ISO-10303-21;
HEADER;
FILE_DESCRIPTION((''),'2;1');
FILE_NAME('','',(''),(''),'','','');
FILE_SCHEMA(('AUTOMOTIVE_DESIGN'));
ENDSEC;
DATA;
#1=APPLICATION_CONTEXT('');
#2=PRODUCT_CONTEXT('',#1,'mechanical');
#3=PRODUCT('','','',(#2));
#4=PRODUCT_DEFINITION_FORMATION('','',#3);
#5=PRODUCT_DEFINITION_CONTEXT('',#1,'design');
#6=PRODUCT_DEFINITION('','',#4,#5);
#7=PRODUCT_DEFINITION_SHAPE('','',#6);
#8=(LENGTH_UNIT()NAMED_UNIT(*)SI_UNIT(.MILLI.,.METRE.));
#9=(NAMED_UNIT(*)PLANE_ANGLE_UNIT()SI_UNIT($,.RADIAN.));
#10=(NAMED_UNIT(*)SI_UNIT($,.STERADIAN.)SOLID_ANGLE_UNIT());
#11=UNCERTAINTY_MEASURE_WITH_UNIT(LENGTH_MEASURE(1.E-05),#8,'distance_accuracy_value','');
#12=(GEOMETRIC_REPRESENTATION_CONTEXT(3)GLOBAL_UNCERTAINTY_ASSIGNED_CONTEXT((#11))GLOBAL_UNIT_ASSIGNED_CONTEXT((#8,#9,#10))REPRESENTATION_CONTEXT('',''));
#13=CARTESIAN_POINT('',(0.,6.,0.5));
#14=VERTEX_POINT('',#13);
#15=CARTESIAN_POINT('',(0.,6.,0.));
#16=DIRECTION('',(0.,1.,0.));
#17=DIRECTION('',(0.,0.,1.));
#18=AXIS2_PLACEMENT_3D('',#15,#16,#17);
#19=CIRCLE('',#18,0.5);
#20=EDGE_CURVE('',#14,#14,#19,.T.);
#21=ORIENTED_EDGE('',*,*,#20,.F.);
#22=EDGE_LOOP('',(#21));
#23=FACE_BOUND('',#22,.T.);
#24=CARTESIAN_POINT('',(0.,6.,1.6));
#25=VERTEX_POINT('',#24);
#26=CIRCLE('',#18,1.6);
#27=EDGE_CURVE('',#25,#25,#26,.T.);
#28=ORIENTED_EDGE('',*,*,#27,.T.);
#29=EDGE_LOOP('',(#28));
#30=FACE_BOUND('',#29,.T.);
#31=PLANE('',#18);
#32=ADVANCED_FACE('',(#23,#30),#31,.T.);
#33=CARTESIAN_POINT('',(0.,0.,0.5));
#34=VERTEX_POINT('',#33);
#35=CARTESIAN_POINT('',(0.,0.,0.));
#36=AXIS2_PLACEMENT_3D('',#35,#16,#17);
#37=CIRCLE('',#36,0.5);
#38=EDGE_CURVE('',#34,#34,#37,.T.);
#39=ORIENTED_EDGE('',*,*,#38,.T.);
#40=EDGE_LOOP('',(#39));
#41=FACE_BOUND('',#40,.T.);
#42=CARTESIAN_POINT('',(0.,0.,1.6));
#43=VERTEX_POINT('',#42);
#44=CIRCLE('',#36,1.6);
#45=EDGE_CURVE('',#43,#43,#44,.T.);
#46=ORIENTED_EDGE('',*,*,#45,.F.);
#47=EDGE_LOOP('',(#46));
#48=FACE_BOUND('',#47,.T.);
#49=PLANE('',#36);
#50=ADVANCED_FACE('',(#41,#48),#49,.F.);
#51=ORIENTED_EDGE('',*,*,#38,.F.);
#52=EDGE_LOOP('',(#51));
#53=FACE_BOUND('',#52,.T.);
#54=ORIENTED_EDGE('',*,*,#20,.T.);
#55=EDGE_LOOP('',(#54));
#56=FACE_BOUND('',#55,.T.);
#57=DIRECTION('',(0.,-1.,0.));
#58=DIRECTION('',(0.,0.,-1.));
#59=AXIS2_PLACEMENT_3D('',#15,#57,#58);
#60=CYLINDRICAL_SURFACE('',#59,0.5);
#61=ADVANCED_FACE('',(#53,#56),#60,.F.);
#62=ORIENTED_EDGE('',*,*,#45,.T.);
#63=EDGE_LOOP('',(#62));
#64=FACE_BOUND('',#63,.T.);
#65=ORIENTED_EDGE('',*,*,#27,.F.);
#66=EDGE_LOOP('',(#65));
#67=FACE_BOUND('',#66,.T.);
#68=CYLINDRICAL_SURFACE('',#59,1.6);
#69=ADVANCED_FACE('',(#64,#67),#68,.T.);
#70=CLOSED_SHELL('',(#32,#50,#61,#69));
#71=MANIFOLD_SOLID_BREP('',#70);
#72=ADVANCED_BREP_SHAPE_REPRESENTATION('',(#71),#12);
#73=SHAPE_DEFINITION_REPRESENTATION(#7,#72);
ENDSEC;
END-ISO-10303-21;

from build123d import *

# Parameters (mm, degrees)
SKETCHCYLINDER_R          = 1.6
SKETCHCYLINDER_R_2        = 0.5
BOSSEXTRUDECYLINDER_DEPTH = 6


with BuildPart() as part:
    # SketchCylinder → BossExtrudeCylinder (new body)
    with BuildSketch(Plane(origin=(0, 0, 0), x_dir=(1, 0, 0), z_dir=(0, 1, 0))):
        with Locations(Location((0, 0, 0), (0, 0, 270))):
            Circle(SKETCHCYLINDER_R)
        with Locations(Location((0, 0, 0), (0, 0, 270))):
            Circle(SKETCHCYLINDER_R_2, mode=Mode.SUBTRACT)
    extrude(amount=BOSSEXTRUDECYLINDER_DEPTH)


solid = part.part
